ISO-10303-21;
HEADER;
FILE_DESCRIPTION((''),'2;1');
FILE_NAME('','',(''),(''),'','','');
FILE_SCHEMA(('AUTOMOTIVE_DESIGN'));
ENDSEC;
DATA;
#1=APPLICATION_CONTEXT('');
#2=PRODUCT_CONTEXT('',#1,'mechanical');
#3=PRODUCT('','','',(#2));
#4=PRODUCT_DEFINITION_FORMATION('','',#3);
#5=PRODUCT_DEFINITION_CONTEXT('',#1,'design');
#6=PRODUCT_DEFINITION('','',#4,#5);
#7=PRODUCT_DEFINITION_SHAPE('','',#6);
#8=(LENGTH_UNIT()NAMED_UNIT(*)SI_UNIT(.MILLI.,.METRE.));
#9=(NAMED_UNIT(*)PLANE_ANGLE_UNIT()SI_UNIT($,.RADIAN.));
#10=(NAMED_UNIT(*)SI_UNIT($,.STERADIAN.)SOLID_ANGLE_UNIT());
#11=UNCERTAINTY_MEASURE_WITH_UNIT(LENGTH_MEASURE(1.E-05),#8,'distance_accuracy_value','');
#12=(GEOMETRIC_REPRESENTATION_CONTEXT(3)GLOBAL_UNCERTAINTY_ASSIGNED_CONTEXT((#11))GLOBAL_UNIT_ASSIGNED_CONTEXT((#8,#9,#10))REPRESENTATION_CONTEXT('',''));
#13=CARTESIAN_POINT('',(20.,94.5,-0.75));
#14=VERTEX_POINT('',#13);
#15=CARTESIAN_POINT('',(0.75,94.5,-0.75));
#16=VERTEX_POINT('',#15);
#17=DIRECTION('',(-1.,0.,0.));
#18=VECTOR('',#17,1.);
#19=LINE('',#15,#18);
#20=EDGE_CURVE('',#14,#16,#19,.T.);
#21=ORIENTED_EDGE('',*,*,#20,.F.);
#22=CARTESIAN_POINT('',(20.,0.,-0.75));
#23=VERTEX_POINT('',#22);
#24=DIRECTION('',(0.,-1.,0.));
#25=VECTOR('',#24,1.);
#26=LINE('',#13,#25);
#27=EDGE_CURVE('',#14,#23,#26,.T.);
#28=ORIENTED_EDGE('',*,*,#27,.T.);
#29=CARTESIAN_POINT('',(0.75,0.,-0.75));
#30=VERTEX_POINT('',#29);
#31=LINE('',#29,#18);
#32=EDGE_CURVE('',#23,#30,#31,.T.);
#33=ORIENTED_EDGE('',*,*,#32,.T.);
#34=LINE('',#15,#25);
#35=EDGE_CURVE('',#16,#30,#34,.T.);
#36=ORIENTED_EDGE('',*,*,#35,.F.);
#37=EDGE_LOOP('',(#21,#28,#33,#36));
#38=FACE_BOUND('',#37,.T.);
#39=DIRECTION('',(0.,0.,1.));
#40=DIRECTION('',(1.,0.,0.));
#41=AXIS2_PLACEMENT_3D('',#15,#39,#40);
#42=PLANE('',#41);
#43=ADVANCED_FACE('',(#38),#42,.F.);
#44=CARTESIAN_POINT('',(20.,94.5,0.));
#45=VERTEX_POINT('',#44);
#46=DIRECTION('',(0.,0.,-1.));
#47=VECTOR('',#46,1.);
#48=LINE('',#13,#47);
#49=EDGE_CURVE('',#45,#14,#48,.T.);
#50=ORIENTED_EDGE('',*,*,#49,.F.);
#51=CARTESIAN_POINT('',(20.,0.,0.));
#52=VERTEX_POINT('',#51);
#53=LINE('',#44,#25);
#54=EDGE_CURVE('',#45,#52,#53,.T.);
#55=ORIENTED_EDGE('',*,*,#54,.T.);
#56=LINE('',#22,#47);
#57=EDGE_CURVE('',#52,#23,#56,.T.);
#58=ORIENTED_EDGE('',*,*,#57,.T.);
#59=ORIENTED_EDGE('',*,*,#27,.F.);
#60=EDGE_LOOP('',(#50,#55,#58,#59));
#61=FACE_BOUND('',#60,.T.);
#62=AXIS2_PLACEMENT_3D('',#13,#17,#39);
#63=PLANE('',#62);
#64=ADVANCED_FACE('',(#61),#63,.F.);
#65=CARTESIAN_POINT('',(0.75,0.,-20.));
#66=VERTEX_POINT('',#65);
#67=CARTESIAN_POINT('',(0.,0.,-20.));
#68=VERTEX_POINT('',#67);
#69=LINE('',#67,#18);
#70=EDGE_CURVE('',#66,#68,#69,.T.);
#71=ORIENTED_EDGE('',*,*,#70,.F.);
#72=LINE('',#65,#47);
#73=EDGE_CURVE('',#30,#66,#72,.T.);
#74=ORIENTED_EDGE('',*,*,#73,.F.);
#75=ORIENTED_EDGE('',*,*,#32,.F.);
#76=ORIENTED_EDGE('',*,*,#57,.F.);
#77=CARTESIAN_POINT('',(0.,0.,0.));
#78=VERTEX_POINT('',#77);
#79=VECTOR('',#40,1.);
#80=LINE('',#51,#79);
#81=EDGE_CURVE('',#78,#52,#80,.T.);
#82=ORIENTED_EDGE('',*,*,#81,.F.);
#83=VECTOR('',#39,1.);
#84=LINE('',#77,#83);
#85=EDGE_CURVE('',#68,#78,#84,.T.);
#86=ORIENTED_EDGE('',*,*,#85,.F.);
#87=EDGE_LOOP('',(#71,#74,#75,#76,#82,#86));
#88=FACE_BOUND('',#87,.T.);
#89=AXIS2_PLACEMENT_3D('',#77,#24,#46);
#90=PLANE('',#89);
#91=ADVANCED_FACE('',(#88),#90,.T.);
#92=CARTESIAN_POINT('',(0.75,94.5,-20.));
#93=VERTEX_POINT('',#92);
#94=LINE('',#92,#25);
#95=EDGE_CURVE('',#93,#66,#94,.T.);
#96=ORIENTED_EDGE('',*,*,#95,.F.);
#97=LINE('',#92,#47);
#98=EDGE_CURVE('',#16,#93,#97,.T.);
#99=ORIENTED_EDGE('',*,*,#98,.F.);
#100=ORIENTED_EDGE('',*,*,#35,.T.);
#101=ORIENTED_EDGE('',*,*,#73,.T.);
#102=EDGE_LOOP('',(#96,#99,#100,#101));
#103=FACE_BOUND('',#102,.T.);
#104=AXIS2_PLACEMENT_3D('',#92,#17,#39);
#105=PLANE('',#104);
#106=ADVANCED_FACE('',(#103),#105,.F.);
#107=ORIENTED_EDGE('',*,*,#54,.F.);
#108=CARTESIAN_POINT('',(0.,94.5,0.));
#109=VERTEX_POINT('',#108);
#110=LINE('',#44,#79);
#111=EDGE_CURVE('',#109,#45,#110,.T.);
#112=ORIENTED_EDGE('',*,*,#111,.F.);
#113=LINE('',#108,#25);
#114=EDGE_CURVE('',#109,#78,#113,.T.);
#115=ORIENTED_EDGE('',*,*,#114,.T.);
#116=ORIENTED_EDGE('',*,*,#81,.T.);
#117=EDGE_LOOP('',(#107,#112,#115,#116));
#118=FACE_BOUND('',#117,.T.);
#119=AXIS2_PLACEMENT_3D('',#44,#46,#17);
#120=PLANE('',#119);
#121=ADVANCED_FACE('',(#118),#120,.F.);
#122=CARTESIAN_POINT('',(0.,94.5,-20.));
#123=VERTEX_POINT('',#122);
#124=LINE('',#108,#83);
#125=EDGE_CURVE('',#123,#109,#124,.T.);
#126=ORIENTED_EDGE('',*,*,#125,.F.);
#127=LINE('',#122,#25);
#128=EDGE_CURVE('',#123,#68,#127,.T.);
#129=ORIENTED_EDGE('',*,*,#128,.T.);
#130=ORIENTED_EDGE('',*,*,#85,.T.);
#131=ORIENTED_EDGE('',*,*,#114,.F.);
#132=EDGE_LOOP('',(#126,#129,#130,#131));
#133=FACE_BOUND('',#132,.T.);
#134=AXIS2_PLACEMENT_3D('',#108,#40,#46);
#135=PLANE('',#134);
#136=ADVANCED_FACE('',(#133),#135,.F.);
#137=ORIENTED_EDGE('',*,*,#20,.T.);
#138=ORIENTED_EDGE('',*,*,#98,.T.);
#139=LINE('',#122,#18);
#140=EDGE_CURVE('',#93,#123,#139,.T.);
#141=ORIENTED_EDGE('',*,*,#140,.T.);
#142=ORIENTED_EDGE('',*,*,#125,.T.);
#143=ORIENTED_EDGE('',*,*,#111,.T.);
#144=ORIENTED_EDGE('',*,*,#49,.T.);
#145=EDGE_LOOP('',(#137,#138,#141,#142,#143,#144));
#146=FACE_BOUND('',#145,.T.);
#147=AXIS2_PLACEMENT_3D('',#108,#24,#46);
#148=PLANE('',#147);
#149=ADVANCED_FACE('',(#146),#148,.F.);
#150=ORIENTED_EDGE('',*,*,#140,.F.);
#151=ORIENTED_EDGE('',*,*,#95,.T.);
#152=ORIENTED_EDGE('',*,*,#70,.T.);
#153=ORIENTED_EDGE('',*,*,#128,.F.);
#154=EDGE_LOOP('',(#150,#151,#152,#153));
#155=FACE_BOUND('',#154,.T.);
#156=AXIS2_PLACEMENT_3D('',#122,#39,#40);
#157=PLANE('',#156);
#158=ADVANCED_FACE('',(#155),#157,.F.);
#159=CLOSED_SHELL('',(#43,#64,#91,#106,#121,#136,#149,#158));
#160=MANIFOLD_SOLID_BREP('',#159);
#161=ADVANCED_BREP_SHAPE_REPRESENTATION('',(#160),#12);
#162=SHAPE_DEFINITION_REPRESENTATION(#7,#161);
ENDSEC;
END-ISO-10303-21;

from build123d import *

# Parameters (mm, degrees)
EXTRUDE_1_DEPTH = 94.5


with BuildPart() as part:
    # Эскиз1 → Бобышка-Вытянуть1 (new body)
    with BuildSketch(Plane(origin=(0, 0, 0), x_dir=(1, 0, 0), z_dir=(0, 1, 0))):
        Polygon((0, 0), (0, 20), (0.75, 20), (0.75, 0.75), (20, 0.75), (20, 0), align=None)
    extrude(amount=EXTRUDE_1_DEPTH)


solid = part.part
